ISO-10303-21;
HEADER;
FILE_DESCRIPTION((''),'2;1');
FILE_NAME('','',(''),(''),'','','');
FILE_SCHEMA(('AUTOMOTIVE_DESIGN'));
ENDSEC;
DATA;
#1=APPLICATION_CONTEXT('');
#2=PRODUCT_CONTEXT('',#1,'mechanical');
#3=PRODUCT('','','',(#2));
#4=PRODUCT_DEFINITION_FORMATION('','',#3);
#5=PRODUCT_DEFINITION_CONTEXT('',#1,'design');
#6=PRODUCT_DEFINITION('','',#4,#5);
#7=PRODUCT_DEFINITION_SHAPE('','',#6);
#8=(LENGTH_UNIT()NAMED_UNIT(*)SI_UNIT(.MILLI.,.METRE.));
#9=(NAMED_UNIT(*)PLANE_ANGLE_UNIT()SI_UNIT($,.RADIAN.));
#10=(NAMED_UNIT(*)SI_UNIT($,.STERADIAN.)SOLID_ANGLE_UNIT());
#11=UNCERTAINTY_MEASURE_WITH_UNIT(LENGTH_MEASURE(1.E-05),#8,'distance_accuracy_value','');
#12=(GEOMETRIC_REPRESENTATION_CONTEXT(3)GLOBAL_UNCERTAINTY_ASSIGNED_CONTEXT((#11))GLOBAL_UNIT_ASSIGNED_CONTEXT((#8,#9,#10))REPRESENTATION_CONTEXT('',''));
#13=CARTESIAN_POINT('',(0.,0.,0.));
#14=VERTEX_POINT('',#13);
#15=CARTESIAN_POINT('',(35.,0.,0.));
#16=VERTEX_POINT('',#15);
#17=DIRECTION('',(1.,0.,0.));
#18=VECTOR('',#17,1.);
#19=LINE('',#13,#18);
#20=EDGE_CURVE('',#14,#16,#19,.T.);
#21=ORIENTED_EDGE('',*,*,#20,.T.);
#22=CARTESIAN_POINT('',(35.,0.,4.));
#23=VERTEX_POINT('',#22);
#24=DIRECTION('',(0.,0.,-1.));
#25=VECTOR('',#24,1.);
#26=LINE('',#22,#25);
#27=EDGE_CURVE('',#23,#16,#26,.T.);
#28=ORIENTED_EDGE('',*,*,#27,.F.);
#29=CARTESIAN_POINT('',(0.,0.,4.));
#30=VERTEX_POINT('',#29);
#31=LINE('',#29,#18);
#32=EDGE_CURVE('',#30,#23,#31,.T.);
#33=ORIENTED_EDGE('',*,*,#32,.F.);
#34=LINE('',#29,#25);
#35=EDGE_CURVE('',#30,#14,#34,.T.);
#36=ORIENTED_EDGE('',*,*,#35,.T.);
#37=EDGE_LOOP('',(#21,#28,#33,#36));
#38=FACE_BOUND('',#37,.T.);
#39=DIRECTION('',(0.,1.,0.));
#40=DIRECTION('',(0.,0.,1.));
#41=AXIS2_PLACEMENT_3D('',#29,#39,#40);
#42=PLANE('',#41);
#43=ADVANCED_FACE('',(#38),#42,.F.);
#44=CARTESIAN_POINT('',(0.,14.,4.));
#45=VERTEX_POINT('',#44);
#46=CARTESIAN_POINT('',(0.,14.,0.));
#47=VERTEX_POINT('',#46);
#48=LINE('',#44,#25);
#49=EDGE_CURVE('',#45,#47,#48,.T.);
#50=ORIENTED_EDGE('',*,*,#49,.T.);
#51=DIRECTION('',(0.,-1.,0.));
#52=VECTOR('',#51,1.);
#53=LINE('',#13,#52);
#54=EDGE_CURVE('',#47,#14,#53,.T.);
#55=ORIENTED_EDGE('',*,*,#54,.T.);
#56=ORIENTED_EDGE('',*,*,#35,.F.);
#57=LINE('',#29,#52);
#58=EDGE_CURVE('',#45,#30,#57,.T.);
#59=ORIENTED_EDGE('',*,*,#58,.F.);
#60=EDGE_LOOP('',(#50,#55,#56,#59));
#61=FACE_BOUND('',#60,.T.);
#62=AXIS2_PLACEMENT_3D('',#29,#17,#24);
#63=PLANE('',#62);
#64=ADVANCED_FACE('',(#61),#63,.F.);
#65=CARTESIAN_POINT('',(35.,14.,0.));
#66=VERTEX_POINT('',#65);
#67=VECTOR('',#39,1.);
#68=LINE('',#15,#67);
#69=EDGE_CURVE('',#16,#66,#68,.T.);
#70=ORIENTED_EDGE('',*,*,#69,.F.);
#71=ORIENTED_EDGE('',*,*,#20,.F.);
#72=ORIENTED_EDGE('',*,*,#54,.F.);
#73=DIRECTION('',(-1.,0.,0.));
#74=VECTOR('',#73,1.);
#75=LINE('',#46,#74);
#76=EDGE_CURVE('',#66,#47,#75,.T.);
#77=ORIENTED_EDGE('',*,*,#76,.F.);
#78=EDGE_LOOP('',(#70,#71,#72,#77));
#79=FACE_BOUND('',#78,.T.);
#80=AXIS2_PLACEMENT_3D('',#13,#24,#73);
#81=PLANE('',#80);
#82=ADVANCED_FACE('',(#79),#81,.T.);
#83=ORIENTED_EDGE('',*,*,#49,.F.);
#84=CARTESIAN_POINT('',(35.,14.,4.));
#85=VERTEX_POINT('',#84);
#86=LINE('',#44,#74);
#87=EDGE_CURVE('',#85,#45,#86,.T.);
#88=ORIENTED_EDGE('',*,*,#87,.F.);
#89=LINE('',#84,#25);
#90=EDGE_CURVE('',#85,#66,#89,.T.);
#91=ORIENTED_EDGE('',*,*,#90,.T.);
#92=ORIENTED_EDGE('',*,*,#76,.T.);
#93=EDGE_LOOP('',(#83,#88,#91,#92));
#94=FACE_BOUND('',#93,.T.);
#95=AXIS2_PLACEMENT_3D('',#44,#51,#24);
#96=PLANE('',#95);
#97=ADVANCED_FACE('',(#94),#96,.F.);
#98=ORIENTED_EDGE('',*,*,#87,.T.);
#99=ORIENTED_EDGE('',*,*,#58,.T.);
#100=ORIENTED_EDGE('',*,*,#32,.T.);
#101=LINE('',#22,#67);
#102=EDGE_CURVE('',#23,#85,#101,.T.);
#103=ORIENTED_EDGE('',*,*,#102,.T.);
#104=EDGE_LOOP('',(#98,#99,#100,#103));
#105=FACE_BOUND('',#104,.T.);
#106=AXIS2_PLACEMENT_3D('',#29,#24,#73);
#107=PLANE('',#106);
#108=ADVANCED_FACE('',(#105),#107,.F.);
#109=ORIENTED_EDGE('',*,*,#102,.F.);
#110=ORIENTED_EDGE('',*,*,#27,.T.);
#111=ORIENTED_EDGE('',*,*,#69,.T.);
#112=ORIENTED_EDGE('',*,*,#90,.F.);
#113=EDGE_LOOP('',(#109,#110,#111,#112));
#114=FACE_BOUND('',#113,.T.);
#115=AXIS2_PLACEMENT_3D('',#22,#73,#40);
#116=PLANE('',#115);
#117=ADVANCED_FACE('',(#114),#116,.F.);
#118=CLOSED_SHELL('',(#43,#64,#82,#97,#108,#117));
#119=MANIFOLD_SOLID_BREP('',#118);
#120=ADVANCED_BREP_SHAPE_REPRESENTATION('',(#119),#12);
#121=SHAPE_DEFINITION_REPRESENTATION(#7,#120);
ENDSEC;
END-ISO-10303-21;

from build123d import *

# Parameters (mm, degrees)
SKETCH_1_W                  = 35
SKETCH_1_H                  = 14
V2_REF_GRIPPER_FINGER_DEPTH = 4


with BuildPart() as part:
    # 草图1 → V2_REF_gripper_finger (new body)
    with BuildSketch(Plane.XY):
        with Locations((17.5, 7)):
            Rectangle(SKETCH_1_W, SKETCH_1_H)
    extrude(amount=V2_REF_GRIPPER_FINGER_DEPTH)


solid = part.part
